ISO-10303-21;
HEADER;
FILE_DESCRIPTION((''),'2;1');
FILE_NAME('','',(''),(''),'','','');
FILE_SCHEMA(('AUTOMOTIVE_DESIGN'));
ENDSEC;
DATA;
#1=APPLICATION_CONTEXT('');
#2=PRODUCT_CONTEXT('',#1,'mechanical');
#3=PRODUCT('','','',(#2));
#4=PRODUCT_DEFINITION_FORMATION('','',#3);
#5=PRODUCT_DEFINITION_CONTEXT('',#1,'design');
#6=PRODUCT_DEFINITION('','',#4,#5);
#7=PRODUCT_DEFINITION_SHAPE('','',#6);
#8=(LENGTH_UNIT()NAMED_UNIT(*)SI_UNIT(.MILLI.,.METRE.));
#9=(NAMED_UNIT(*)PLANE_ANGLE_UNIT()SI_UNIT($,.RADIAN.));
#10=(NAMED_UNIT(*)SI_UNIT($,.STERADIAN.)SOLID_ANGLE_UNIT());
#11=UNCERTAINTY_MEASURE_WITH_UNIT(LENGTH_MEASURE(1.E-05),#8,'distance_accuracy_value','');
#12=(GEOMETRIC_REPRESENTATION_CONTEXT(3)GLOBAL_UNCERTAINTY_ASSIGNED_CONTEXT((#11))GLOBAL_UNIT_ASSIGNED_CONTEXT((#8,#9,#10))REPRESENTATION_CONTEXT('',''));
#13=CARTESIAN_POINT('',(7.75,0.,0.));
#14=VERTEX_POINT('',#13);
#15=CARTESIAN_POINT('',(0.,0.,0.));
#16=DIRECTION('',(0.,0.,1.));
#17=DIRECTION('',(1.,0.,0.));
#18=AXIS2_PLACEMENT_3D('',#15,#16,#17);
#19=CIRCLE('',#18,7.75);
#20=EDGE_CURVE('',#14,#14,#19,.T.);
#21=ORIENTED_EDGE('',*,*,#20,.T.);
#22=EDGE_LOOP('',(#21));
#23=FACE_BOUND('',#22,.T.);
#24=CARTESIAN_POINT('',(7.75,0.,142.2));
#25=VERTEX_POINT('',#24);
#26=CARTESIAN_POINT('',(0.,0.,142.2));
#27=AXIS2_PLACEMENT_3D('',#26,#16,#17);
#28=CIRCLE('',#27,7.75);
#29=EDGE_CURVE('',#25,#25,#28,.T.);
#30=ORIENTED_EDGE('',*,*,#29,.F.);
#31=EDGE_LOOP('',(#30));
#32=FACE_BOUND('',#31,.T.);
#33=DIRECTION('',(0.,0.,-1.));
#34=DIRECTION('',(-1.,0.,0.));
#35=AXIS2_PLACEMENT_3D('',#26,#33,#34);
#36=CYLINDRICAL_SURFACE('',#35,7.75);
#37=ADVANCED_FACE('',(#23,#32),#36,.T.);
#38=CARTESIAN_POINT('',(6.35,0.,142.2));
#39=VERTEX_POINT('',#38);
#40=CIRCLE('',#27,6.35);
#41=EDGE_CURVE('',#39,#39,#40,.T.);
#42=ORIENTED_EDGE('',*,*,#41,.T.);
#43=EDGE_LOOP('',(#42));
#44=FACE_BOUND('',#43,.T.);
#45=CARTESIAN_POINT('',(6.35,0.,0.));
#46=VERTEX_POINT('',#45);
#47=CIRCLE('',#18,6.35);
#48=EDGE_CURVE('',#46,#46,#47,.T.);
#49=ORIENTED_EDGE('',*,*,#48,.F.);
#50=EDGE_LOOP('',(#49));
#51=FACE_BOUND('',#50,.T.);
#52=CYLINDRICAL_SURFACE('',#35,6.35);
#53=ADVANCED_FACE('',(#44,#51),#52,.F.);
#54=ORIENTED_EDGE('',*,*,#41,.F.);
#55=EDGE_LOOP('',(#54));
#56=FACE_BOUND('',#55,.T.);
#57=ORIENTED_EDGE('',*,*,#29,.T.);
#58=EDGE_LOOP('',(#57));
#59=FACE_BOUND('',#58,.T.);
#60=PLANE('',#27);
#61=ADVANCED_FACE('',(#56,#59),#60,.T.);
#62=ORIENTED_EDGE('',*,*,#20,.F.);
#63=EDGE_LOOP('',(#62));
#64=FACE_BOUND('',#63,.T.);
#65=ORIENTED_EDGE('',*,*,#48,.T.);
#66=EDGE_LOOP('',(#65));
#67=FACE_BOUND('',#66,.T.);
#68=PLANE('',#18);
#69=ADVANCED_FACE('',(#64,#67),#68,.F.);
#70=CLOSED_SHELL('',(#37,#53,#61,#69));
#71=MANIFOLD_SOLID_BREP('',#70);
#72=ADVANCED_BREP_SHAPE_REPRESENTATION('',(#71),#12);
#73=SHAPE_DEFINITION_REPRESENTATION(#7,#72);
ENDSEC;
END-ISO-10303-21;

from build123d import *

# Parameters (mm, degrees)
SZKIC1_R                    = 7.75
SZKIC1_R_2                  = 6.35
DODANIE_WYCI_GNI_CIE1_DEPTH = 142.2


with BuildPart() as part:
    # Szkic1 → Dodanie-wyciągnięcie1 (new body)
    with BuildSketch(Plane.XY):
        Circle(SZKIC1_R)
        Circle(SZKIC1_R_2, mode=Mode.SUBTRACT)
    extrude(amount=DODANIE_WYCI_GNI_CIE1_DEPTH)


solid = part.part
